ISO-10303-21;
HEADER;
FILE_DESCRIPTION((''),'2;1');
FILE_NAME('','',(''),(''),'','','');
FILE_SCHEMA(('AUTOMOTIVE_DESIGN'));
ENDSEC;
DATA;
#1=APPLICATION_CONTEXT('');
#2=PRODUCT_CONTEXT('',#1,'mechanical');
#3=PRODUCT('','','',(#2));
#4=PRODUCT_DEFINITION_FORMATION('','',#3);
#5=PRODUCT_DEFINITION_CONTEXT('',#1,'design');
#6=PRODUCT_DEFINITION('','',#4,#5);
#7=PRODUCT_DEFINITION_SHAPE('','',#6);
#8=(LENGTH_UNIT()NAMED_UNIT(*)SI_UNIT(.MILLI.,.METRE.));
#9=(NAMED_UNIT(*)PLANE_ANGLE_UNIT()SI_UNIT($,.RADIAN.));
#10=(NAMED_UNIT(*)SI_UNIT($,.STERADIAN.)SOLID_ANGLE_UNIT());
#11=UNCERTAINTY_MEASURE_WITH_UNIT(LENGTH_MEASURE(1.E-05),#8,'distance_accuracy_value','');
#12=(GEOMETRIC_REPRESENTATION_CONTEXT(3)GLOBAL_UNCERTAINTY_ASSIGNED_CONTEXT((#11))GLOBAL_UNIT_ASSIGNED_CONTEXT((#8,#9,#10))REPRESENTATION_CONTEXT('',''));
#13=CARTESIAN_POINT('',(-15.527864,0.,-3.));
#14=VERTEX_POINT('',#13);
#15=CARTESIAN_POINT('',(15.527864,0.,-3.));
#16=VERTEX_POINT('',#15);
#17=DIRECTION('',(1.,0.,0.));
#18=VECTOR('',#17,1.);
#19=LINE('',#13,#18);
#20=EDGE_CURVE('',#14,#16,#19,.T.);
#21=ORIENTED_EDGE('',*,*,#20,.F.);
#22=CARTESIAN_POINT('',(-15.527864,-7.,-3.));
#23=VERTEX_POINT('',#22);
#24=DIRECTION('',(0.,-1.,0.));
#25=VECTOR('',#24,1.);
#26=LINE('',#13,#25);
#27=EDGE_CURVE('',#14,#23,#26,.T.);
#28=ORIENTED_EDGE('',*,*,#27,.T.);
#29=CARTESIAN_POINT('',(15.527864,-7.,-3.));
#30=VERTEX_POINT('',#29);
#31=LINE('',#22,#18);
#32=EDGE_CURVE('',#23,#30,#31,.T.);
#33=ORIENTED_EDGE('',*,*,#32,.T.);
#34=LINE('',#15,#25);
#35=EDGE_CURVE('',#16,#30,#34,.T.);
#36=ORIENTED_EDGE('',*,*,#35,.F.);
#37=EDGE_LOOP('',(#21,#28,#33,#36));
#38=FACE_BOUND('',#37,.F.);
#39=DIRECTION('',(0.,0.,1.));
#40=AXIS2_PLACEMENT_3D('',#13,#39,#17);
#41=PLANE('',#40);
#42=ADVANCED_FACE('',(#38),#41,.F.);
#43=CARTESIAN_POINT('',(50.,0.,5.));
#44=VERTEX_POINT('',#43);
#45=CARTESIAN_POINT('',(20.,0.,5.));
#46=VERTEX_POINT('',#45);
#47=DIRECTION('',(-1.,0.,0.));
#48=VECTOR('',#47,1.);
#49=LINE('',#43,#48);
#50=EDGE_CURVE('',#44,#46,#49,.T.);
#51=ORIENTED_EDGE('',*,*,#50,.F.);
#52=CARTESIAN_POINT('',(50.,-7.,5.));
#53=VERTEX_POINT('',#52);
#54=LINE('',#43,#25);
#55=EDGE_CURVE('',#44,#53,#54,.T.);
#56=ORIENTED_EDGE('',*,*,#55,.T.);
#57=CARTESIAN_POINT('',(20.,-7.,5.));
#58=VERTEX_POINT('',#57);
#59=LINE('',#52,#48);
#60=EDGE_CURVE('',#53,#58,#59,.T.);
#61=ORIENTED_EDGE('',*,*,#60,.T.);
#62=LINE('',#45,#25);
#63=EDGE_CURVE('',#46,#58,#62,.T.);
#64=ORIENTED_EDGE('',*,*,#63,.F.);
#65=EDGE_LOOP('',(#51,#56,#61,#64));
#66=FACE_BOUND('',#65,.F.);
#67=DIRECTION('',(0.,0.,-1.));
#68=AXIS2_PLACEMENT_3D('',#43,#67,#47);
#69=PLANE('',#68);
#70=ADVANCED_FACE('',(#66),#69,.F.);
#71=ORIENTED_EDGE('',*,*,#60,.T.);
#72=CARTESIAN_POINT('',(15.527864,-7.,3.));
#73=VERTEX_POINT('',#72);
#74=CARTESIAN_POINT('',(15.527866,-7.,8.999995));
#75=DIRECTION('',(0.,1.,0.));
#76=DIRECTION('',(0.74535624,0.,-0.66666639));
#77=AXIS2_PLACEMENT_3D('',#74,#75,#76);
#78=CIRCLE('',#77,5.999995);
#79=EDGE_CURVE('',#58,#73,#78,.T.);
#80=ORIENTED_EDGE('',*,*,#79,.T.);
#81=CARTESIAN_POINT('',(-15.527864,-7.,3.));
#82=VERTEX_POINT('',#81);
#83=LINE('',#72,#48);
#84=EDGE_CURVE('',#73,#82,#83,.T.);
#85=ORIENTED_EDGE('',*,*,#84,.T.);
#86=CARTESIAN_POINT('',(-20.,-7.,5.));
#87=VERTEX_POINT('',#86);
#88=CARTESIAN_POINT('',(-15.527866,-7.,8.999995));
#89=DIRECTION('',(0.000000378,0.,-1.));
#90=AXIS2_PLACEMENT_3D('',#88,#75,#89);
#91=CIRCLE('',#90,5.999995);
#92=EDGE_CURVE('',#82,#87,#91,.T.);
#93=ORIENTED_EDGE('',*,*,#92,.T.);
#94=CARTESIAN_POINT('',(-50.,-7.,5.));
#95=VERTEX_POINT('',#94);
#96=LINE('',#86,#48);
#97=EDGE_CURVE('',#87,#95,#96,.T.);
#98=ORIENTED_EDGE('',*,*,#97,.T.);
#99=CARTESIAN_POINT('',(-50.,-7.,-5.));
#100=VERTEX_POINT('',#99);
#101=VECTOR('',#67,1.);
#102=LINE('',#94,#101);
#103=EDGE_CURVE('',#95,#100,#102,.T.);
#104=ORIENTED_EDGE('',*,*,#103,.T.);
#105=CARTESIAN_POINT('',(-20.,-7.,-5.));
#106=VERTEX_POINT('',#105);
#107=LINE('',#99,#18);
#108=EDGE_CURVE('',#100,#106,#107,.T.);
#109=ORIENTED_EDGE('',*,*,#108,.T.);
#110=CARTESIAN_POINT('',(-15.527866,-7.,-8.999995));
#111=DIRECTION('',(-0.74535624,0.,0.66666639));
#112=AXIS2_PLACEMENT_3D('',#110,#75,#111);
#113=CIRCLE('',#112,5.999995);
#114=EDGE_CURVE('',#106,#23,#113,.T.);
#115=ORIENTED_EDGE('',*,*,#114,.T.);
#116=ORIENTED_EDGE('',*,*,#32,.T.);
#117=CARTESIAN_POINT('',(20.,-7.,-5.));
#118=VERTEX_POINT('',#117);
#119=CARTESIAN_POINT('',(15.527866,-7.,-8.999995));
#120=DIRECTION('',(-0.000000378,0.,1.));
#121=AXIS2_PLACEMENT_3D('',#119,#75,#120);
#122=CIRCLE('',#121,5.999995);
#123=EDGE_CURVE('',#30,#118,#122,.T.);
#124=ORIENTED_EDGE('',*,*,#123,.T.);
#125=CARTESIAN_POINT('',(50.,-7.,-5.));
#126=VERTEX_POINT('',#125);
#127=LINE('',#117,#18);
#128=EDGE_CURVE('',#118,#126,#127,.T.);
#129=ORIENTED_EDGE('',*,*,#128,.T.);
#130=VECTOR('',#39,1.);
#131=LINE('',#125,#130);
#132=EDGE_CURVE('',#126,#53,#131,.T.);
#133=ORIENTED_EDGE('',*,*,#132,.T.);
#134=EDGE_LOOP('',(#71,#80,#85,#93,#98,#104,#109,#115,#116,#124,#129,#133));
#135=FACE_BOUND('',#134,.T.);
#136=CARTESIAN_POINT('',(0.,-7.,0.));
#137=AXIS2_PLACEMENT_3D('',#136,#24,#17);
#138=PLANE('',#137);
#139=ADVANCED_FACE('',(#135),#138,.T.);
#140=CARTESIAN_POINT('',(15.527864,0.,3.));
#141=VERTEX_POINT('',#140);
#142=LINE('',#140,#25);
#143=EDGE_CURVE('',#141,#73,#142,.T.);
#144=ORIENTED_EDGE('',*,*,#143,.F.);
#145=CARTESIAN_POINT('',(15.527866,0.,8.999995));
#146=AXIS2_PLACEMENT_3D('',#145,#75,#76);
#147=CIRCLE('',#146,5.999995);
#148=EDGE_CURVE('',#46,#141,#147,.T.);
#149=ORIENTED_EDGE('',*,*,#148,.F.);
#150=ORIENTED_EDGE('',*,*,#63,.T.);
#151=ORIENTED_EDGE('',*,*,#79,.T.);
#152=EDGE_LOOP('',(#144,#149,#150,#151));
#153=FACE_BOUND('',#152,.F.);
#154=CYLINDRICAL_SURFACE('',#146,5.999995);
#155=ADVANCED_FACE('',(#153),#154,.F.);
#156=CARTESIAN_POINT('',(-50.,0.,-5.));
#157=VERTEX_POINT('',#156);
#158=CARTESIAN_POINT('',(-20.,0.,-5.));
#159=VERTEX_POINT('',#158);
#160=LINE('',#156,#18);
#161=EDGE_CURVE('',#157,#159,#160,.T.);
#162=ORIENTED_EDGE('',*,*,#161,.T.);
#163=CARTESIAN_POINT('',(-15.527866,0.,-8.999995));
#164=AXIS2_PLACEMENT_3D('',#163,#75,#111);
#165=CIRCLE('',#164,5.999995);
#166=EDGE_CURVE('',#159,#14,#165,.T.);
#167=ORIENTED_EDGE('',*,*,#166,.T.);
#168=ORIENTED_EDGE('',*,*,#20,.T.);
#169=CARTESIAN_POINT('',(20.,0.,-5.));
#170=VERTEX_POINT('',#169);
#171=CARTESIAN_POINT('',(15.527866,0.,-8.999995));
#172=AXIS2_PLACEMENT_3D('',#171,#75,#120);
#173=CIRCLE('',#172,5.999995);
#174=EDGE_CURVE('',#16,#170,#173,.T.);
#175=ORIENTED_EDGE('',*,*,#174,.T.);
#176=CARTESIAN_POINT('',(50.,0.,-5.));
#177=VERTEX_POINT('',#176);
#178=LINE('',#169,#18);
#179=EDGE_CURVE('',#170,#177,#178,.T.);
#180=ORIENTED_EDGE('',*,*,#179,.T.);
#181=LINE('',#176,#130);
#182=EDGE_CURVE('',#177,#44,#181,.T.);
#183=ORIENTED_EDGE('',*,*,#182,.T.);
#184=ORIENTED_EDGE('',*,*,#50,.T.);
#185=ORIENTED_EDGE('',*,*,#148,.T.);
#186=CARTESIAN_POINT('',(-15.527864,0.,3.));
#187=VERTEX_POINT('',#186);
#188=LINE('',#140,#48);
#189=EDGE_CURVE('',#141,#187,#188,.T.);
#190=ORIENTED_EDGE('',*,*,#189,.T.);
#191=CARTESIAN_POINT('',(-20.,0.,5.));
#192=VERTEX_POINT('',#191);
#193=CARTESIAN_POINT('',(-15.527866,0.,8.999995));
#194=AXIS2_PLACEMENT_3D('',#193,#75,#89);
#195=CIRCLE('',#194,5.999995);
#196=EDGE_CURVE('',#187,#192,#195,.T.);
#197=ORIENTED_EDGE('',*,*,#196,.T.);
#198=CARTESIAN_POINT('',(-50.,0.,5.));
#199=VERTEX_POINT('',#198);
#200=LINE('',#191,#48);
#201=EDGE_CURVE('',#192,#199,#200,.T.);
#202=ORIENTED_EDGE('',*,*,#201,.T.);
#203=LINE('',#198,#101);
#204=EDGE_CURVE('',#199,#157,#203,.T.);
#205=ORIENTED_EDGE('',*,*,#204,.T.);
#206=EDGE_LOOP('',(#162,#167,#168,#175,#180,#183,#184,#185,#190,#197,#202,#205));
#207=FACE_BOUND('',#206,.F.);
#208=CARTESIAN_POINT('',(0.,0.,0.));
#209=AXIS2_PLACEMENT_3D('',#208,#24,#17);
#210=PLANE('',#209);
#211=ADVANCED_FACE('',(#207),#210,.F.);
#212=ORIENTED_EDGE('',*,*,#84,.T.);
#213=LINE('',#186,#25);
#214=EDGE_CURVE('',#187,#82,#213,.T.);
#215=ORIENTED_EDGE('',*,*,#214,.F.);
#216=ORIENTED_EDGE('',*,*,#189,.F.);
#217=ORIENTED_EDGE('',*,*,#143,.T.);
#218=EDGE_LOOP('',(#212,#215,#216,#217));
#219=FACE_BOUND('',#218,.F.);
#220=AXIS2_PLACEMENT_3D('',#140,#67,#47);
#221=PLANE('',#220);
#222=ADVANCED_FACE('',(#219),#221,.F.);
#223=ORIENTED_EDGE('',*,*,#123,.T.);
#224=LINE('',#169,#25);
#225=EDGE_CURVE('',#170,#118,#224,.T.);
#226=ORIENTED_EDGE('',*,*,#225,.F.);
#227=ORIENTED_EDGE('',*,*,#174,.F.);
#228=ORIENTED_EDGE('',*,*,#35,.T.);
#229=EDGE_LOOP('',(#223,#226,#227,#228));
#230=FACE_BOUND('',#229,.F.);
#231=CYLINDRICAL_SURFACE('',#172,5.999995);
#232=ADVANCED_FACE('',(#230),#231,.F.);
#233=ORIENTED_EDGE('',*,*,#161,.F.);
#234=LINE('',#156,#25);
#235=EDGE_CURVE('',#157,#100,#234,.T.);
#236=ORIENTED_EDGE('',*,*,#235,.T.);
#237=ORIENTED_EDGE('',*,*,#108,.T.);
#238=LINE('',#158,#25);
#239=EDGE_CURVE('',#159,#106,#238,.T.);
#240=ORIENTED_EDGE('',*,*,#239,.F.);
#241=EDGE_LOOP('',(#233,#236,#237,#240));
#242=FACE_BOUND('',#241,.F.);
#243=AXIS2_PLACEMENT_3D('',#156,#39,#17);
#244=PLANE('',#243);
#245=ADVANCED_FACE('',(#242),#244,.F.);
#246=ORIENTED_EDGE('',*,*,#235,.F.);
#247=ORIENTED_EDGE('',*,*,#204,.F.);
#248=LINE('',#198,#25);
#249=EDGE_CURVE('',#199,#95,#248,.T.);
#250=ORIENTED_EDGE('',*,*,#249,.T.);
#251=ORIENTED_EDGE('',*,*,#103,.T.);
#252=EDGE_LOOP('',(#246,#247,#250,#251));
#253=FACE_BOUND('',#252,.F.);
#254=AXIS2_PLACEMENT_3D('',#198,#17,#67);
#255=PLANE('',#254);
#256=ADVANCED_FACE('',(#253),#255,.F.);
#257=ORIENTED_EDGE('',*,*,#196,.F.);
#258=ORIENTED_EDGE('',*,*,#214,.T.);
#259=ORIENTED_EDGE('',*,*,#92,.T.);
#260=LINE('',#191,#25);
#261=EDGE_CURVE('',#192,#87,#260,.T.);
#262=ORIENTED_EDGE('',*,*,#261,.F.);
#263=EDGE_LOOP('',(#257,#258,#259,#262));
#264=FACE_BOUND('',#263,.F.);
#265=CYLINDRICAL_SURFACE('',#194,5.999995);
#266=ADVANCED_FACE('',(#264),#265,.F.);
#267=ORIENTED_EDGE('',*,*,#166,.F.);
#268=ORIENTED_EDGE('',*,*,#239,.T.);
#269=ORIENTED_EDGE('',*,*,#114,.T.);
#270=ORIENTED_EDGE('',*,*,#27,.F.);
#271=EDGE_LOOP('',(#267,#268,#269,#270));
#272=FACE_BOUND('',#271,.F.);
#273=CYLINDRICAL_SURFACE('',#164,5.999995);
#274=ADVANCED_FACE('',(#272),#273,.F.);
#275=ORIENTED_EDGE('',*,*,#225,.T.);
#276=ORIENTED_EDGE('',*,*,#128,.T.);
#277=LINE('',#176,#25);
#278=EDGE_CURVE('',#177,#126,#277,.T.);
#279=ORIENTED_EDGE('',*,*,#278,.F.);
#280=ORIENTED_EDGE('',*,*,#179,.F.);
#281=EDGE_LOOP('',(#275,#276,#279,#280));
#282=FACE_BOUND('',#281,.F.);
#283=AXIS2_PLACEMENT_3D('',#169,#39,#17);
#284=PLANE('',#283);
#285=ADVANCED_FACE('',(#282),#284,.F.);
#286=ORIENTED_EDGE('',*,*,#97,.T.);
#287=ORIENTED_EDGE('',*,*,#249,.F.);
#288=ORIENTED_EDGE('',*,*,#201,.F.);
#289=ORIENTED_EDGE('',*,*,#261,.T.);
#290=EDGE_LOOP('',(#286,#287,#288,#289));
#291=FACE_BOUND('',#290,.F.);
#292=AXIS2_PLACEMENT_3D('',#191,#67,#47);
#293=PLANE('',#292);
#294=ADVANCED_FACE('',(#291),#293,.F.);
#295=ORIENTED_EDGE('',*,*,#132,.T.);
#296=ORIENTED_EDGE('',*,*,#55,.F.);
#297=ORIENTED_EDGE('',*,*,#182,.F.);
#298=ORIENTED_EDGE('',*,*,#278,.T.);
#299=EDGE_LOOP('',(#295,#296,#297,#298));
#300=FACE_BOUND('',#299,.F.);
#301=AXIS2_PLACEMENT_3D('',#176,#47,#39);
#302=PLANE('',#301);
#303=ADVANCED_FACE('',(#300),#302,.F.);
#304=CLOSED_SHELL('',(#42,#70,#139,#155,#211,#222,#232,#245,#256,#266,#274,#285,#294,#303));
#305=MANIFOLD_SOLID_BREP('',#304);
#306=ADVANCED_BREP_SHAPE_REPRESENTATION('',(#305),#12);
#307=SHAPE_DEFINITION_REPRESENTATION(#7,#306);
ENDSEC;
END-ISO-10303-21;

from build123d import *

# Parameters (mm, degrees)
F1_DEPTH = 7


with BuildPart() as f1:
    # F0 (on Front) → F1 (new body)
    with BuildSketch(Plane.XZ):
        with BuildLine():
            Line((15.527864, 3), (0, 3))
            Line((0, 3), (-15.527864, 3))
            ThreePointArc((-15.527864, 3), (-17.977354, 3.522774), (-20, 5))
            Line((-20, 5), (-50, 5))
            Line((-50, 5), (-50, 0))
            Line((-50, 0), (-50, -5))
            Line((-50, -5), (-20, -5))
            ThreePointArc((-20, -5), (-17.977354, -3.522774), (-15.527864, -3))
            Line((-15.527864, -3), (0, -3))
            Line((0, -3), (15.527864, -3))
            ThreePointArc((15.527864, -3), (17.977354, -3.522774), (20, -5))
            Line((20, -5), (50, -5))
            Line((50, -5), (50, 0))
            Line((50, 0), (50, 5))
            Line((50, 5), (20, 5))
            ThreePointArc((20, 5), (17.977354, 3.522774), (15.527864, 3))
        make_face()
    extrude(amount=F1_DEPTH)


solid = f1.part
